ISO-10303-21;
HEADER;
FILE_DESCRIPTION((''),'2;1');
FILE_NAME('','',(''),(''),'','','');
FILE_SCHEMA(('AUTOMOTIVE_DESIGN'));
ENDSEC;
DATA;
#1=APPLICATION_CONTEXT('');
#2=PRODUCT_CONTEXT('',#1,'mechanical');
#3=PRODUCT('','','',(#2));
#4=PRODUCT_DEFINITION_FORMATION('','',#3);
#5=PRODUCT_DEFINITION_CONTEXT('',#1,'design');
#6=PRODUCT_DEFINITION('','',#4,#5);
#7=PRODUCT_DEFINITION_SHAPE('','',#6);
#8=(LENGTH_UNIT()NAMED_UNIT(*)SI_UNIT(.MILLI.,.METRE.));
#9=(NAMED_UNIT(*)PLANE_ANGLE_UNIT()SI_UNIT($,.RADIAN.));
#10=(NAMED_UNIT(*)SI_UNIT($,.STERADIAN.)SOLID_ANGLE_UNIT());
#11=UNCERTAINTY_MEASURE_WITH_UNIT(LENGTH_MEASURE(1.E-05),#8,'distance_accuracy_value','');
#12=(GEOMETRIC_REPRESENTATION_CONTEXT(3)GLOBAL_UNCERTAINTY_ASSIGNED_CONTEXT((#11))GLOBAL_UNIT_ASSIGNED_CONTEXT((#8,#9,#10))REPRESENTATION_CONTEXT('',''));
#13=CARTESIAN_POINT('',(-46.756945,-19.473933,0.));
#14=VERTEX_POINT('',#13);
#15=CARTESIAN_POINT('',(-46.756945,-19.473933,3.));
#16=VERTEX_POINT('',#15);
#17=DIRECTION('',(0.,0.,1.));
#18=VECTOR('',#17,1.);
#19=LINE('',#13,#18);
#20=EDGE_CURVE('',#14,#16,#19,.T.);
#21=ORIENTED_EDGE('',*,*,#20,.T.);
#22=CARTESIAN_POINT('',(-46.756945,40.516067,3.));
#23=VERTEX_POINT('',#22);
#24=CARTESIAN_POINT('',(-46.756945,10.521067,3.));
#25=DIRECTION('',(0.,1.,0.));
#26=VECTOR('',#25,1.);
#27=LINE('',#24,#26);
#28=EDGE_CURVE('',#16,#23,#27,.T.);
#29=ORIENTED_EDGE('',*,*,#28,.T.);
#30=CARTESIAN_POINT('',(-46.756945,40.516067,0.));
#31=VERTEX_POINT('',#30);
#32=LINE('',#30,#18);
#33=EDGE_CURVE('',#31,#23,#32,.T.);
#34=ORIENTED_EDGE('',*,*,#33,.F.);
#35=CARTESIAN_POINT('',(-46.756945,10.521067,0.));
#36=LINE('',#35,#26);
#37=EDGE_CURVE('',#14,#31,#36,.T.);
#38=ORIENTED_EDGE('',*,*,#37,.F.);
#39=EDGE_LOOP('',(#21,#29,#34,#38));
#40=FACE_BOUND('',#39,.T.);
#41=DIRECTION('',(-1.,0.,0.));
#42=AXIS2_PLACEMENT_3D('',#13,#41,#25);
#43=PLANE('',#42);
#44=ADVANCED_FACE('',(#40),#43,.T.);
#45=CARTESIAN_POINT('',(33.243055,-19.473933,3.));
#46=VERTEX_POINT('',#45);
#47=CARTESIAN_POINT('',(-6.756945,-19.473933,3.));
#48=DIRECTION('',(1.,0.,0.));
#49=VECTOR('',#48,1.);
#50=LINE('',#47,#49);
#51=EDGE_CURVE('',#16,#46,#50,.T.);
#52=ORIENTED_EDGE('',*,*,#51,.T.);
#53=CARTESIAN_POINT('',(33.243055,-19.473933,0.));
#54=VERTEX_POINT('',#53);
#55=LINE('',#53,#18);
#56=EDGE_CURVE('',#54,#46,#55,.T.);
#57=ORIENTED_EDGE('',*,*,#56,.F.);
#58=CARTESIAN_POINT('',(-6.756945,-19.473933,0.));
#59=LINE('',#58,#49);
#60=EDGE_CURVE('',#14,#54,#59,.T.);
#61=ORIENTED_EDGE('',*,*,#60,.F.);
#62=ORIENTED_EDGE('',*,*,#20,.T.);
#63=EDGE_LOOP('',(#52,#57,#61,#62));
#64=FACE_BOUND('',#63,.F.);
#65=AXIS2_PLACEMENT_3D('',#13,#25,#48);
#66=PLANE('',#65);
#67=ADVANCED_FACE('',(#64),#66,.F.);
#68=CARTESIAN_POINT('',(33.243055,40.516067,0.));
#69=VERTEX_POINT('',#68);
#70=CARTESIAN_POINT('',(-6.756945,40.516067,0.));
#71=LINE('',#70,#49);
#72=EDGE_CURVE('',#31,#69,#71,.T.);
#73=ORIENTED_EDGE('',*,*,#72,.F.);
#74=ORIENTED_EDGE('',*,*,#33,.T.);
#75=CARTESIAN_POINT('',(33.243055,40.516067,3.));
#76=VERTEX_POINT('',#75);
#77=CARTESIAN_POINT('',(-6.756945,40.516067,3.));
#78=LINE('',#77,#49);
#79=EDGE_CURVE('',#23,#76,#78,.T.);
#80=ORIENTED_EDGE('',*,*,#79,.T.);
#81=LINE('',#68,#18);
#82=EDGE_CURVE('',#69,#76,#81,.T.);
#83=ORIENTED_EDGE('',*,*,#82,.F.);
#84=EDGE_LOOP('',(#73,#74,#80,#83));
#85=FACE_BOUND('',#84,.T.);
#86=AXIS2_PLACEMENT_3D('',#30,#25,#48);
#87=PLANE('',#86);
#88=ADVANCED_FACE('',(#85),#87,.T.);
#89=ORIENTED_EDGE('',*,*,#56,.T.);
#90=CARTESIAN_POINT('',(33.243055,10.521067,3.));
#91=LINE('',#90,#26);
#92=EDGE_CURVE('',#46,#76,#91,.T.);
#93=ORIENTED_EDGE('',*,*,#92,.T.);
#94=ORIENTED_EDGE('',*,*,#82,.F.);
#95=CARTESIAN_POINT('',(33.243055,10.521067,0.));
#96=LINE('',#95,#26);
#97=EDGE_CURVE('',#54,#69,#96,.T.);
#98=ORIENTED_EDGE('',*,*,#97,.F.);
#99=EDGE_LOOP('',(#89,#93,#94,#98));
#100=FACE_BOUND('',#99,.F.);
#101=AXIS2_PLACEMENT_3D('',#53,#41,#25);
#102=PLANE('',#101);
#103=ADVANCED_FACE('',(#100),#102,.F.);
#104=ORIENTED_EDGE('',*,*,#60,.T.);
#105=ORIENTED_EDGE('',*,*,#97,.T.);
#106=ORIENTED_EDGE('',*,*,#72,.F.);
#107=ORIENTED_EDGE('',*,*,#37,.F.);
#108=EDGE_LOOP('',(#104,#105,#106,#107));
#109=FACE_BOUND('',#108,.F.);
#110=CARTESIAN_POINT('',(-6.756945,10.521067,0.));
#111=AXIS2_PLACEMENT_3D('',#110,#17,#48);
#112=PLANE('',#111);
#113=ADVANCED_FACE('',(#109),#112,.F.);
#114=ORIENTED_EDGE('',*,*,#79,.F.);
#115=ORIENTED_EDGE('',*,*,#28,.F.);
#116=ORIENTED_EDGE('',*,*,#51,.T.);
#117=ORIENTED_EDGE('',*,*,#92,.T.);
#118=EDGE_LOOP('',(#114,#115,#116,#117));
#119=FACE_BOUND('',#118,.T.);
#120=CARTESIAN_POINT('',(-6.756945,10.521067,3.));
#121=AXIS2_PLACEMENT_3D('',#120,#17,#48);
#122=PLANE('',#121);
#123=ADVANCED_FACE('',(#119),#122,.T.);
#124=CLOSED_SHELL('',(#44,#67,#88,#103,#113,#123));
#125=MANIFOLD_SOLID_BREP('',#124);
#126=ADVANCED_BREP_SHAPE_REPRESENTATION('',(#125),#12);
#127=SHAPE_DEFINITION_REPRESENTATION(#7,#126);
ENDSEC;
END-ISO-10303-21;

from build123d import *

# Parameters (mm, degrees)
SKETCH_W  = 80
SKETCH_H  = 59.99
PAD_DEPTH = 3


with BuildPart() as part:
    # Sketch → Pad (new body)
    with BuildSketch(Plane.XY):
        with Locations((-6.756945, 10.521067)):
            Rectangle(SKETCH_W, SKETCH_H)
    extrude(amount=PAD_DEPTH)


solid = part.part
